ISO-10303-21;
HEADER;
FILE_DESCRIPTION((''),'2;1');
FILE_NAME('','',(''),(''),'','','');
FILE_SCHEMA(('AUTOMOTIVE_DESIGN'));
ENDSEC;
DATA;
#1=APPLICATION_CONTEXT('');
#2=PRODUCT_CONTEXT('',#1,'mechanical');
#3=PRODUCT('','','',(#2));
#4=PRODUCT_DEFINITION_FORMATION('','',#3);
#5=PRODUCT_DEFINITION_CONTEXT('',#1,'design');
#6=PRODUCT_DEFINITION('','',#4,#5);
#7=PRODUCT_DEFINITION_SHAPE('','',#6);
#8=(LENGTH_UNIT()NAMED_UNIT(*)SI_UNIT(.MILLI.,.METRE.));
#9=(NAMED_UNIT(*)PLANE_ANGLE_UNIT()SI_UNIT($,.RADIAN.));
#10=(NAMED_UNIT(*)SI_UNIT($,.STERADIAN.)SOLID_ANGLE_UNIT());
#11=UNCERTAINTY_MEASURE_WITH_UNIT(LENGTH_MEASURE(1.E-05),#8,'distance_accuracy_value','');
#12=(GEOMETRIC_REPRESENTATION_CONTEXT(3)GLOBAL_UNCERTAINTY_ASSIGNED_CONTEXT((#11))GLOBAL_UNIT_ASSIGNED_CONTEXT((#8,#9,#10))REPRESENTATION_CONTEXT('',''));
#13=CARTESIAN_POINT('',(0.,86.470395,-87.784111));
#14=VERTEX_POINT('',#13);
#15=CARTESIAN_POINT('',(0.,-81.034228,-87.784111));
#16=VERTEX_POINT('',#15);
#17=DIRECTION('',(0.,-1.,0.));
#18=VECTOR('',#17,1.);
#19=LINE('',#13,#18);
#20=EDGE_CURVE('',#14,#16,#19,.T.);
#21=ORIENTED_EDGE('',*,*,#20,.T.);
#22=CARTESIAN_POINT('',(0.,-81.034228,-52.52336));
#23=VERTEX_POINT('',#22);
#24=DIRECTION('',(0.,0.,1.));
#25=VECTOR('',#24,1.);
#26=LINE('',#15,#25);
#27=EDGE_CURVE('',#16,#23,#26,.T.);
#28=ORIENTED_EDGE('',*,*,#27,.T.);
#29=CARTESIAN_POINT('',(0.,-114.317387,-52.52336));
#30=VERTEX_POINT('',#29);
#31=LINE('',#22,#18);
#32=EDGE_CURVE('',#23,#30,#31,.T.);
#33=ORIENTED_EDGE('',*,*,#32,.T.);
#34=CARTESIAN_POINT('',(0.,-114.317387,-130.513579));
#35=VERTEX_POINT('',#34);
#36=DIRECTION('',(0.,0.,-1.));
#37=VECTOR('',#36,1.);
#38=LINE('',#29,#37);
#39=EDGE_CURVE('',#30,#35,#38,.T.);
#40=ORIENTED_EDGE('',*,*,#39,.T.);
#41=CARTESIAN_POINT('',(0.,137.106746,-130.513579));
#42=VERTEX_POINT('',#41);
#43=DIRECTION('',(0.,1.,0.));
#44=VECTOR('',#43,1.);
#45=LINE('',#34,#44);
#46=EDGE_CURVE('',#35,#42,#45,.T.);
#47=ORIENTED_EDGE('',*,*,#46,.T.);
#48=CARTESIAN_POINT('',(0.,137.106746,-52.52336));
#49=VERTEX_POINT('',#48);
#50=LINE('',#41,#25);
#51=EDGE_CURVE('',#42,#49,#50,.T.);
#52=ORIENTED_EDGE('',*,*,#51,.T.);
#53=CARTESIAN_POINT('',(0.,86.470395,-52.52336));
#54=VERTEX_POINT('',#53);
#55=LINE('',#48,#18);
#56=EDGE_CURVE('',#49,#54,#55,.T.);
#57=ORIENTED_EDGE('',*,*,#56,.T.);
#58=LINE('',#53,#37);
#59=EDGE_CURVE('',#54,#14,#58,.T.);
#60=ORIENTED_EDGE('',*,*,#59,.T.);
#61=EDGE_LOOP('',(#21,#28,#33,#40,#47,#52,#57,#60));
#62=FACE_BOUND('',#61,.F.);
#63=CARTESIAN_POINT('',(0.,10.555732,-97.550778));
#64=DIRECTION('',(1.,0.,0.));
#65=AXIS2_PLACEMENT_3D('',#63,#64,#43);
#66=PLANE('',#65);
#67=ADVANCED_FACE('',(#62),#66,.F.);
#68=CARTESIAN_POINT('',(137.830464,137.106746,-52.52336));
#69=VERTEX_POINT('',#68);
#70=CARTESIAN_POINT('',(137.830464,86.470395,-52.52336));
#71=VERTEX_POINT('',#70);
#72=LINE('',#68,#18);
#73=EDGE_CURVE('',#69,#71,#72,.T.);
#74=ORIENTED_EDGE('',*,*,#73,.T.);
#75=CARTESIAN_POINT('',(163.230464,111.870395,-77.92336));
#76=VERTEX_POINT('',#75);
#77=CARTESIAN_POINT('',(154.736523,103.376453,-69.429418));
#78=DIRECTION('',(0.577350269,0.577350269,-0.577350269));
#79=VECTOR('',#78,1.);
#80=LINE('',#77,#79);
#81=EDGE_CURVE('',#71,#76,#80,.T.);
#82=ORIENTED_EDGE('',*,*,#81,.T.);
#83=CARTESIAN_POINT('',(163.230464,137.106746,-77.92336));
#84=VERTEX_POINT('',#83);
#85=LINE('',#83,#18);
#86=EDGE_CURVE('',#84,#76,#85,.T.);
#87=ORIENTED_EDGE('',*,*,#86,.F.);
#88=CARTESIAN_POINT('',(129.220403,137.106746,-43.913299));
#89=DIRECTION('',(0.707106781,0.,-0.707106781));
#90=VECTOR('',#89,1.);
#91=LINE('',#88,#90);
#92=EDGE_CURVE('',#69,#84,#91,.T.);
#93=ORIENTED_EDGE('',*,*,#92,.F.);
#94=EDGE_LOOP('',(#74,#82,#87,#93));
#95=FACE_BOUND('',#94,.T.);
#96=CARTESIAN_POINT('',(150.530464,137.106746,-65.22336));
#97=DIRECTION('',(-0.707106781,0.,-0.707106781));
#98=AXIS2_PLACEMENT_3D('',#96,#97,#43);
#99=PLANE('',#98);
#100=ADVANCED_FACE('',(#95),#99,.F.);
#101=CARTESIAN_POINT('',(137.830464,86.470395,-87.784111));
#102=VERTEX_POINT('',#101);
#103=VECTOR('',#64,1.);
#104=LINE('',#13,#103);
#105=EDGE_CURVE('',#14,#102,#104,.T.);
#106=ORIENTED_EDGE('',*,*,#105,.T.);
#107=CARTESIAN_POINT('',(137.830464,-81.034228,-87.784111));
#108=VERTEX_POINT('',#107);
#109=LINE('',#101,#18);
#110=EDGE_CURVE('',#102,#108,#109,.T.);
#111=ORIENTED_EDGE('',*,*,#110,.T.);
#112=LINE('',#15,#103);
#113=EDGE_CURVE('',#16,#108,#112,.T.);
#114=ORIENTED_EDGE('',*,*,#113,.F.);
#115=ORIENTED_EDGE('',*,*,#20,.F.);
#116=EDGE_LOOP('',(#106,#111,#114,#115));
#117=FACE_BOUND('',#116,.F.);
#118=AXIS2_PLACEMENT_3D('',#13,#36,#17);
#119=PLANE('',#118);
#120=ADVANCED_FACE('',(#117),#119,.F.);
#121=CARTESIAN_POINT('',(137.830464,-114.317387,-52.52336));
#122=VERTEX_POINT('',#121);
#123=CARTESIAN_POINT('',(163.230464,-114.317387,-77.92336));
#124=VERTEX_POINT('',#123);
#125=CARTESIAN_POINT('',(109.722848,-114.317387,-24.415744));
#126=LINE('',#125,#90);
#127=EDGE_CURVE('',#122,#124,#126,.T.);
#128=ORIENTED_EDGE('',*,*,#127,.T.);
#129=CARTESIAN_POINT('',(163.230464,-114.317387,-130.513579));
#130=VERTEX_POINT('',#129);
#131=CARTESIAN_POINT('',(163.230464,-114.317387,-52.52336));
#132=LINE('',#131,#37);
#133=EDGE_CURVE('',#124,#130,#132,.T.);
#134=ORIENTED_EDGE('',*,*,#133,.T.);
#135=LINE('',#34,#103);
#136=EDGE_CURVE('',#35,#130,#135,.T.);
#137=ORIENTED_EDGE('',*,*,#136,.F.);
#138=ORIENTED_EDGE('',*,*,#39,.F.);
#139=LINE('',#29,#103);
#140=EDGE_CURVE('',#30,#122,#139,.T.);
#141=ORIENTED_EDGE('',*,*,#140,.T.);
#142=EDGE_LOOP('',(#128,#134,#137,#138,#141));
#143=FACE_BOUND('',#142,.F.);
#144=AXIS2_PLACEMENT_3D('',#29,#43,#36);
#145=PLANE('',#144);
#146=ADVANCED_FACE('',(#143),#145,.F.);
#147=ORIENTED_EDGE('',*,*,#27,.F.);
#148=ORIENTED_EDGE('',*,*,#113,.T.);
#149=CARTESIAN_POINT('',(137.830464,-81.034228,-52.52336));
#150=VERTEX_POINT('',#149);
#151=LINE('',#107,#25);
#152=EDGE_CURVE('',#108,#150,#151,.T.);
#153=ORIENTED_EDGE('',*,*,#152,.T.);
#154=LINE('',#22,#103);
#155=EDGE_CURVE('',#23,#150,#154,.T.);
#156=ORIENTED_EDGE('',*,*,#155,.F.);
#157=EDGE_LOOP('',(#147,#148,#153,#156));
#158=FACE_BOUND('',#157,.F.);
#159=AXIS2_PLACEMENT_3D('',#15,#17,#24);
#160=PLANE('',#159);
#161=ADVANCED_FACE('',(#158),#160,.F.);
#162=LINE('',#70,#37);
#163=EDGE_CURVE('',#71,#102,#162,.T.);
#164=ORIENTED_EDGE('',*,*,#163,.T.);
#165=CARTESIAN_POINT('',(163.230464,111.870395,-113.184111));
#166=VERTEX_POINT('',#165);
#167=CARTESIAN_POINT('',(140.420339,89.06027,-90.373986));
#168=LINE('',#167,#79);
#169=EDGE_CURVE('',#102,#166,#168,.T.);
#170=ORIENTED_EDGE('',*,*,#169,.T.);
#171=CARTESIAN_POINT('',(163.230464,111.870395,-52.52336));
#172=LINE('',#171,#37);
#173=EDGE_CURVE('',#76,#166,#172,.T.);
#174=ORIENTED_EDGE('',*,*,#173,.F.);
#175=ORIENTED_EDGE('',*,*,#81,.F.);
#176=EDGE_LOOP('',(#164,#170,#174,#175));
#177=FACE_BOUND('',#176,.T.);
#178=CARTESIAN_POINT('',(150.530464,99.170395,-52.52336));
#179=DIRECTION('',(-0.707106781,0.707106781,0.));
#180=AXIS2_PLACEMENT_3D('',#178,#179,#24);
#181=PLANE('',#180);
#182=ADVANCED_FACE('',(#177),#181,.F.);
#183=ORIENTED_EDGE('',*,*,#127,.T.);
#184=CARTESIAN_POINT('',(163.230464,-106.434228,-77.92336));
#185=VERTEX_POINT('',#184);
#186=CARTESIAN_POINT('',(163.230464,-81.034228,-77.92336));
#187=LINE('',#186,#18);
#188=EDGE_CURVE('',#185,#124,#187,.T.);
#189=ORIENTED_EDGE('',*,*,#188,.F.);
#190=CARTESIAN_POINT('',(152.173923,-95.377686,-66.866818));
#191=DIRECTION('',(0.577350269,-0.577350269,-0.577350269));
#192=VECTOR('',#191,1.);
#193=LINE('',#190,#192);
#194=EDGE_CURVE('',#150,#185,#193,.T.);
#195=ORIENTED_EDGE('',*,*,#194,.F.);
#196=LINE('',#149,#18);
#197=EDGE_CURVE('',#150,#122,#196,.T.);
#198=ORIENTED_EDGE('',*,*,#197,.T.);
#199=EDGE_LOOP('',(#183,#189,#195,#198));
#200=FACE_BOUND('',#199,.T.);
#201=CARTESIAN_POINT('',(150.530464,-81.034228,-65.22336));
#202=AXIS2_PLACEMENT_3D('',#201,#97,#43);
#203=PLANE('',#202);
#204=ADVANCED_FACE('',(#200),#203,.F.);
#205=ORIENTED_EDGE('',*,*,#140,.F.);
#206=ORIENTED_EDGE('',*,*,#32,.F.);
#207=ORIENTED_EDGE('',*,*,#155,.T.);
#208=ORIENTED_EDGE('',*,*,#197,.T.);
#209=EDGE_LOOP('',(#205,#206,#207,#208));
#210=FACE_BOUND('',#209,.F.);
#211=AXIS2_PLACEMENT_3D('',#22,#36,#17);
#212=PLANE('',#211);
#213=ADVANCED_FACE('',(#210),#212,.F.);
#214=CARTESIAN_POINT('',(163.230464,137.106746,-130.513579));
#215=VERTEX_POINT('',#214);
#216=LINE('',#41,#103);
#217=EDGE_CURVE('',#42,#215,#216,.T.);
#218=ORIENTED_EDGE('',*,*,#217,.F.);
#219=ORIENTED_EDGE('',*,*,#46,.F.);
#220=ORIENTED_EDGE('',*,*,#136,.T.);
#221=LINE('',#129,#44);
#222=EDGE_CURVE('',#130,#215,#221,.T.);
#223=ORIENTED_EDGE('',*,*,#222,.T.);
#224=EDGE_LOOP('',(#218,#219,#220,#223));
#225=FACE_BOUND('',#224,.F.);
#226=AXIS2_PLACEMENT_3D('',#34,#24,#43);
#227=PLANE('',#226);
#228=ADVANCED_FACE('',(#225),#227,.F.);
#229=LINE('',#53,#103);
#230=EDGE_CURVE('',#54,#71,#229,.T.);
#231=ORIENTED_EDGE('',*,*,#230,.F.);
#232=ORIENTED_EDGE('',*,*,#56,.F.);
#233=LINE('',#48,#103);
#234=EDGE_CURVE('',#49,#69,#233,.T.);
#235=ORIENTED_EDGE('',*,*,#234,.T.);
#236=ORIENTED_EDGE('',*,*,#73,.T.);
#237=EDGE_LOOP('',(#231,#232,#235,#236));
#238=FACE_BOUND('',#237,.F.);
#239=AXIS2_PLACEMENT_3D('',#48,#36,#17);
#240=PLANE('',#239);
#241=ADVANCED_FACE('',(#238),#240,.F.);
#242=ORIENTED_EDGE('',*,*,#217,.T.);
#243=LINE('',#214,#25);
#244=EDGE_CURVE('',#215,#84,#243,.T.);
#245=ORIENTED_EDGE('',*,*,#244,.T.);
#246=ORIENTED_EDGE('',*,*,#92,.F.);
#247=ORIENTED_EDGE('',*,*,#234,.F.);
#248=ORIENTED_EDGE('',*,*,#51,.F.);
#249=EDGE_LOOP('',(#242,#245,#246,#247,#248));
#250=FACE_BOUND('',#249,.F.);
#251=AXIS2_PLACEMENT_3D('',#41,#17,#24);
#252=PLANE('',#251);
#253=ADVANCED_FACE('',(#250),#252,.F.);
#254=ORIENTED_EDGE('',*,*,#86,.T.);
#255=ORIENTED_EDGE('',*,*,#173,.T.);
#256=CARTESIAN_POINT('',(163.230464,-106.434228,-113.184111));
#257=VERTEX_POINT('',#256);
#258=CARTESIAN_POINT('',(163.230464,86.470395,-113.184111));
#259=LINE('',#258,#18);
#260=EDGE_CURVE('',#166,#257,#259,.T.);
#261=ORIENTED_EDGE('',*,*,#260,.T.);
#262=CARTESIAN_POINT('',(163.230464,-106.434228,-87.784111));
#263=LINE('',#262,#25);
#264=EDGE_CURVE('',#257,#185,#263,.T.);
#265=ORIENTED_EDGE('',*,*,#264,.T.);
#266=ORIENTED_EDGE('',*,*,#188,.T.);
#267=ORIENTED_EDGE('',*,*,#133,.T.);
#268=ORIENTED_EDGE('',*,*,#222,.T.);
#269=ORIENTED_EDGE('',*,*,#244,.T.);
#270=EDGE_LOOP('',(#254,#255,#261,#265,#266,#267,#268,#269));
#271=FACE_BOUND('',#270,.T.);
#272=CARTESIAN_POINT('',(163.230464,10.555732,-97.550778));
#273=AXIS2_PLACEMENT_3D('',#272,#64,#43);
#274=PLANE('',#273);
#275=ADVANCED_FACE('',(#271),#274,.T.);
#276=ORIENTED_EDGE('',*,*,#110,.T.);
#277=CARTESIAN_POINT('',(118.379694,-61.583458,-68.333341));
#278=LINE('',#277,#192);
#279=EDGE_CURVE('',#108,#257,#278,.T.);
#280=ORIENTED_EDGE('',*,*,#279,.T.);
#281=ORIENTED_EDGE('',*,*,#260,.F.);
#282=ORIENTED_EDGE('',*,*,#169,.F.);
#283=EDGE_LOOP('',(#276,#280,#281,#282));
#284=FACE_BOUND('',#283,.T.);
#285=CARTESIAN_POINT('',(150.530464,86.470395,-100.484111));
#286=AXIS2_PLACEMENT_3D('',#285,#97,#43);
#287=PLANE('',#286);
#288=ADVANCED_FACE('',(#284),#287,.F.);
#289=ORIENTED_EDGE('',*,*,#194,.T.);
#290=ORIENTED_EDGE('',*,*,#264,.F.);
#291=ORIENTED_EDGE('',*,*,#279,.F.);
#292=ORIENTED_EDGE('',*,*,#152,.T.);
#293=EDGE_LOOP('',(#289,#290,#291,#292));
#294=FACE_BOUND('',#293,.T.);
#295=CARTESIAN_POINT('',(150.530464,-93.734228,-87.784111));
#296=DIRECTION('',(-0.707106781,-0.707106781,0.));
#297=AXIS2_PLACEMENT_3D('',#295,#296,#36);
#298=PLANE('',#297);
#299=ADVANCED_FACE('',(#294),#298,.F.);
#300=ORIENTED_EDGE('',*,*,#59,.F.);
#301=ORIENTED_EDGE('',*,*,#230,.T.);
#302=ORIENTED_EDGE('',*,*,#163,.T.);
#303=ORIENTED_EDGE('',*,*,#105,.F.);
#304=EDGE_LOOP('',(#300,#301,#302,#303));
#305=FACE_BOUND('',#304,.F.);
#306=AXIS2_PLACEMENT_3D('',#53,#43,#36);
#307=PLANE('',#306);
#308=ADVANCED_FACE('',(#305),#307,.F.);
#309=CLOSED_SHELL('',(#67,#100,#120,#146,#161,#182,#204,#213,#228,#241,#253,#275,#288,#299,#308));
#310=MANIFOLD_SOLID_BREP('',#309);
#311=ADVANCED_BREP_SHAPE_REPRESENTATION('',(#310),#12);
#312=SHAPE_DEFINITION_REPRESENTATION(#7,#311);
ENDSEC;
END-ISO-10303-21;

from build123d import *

# Parameters (mm, degrees)
F1_DEPTH = 163.230464
F2_SIZE  = 25.4


with BuildPart() as f1:
    # F0 (on Right) → F1 (new body)
    with BuildSketch(Plane.YZ):
        Polygon((-81.034228, -87.784111), (-81.034228, -52.52336), (-114.317387, -52.52336), (-114.317387, -130.513579), (137.106746, -130.513579), (137.106746, -52.52336), (86.470395, -52.52336), (86.470395, -87.784111), align=None)
    extrude(amount=F1_DEPTH)

    # F2
    f2_edges = [f1.edges().sort_by_distance(p)[0] for p in [
        (163.230464, 2.718084, -87.784111),
        (163.230464, -81.034228, -70.153736),
        (163.230464, 86.470395, -70.153736),
        (163.230464, 111.788571, -52.52336),
        (163.230464, -97.675808, -52.52336),
    ]]
    chamfer(f2_edges, length=F2_SIZE)


solid = f1.part
